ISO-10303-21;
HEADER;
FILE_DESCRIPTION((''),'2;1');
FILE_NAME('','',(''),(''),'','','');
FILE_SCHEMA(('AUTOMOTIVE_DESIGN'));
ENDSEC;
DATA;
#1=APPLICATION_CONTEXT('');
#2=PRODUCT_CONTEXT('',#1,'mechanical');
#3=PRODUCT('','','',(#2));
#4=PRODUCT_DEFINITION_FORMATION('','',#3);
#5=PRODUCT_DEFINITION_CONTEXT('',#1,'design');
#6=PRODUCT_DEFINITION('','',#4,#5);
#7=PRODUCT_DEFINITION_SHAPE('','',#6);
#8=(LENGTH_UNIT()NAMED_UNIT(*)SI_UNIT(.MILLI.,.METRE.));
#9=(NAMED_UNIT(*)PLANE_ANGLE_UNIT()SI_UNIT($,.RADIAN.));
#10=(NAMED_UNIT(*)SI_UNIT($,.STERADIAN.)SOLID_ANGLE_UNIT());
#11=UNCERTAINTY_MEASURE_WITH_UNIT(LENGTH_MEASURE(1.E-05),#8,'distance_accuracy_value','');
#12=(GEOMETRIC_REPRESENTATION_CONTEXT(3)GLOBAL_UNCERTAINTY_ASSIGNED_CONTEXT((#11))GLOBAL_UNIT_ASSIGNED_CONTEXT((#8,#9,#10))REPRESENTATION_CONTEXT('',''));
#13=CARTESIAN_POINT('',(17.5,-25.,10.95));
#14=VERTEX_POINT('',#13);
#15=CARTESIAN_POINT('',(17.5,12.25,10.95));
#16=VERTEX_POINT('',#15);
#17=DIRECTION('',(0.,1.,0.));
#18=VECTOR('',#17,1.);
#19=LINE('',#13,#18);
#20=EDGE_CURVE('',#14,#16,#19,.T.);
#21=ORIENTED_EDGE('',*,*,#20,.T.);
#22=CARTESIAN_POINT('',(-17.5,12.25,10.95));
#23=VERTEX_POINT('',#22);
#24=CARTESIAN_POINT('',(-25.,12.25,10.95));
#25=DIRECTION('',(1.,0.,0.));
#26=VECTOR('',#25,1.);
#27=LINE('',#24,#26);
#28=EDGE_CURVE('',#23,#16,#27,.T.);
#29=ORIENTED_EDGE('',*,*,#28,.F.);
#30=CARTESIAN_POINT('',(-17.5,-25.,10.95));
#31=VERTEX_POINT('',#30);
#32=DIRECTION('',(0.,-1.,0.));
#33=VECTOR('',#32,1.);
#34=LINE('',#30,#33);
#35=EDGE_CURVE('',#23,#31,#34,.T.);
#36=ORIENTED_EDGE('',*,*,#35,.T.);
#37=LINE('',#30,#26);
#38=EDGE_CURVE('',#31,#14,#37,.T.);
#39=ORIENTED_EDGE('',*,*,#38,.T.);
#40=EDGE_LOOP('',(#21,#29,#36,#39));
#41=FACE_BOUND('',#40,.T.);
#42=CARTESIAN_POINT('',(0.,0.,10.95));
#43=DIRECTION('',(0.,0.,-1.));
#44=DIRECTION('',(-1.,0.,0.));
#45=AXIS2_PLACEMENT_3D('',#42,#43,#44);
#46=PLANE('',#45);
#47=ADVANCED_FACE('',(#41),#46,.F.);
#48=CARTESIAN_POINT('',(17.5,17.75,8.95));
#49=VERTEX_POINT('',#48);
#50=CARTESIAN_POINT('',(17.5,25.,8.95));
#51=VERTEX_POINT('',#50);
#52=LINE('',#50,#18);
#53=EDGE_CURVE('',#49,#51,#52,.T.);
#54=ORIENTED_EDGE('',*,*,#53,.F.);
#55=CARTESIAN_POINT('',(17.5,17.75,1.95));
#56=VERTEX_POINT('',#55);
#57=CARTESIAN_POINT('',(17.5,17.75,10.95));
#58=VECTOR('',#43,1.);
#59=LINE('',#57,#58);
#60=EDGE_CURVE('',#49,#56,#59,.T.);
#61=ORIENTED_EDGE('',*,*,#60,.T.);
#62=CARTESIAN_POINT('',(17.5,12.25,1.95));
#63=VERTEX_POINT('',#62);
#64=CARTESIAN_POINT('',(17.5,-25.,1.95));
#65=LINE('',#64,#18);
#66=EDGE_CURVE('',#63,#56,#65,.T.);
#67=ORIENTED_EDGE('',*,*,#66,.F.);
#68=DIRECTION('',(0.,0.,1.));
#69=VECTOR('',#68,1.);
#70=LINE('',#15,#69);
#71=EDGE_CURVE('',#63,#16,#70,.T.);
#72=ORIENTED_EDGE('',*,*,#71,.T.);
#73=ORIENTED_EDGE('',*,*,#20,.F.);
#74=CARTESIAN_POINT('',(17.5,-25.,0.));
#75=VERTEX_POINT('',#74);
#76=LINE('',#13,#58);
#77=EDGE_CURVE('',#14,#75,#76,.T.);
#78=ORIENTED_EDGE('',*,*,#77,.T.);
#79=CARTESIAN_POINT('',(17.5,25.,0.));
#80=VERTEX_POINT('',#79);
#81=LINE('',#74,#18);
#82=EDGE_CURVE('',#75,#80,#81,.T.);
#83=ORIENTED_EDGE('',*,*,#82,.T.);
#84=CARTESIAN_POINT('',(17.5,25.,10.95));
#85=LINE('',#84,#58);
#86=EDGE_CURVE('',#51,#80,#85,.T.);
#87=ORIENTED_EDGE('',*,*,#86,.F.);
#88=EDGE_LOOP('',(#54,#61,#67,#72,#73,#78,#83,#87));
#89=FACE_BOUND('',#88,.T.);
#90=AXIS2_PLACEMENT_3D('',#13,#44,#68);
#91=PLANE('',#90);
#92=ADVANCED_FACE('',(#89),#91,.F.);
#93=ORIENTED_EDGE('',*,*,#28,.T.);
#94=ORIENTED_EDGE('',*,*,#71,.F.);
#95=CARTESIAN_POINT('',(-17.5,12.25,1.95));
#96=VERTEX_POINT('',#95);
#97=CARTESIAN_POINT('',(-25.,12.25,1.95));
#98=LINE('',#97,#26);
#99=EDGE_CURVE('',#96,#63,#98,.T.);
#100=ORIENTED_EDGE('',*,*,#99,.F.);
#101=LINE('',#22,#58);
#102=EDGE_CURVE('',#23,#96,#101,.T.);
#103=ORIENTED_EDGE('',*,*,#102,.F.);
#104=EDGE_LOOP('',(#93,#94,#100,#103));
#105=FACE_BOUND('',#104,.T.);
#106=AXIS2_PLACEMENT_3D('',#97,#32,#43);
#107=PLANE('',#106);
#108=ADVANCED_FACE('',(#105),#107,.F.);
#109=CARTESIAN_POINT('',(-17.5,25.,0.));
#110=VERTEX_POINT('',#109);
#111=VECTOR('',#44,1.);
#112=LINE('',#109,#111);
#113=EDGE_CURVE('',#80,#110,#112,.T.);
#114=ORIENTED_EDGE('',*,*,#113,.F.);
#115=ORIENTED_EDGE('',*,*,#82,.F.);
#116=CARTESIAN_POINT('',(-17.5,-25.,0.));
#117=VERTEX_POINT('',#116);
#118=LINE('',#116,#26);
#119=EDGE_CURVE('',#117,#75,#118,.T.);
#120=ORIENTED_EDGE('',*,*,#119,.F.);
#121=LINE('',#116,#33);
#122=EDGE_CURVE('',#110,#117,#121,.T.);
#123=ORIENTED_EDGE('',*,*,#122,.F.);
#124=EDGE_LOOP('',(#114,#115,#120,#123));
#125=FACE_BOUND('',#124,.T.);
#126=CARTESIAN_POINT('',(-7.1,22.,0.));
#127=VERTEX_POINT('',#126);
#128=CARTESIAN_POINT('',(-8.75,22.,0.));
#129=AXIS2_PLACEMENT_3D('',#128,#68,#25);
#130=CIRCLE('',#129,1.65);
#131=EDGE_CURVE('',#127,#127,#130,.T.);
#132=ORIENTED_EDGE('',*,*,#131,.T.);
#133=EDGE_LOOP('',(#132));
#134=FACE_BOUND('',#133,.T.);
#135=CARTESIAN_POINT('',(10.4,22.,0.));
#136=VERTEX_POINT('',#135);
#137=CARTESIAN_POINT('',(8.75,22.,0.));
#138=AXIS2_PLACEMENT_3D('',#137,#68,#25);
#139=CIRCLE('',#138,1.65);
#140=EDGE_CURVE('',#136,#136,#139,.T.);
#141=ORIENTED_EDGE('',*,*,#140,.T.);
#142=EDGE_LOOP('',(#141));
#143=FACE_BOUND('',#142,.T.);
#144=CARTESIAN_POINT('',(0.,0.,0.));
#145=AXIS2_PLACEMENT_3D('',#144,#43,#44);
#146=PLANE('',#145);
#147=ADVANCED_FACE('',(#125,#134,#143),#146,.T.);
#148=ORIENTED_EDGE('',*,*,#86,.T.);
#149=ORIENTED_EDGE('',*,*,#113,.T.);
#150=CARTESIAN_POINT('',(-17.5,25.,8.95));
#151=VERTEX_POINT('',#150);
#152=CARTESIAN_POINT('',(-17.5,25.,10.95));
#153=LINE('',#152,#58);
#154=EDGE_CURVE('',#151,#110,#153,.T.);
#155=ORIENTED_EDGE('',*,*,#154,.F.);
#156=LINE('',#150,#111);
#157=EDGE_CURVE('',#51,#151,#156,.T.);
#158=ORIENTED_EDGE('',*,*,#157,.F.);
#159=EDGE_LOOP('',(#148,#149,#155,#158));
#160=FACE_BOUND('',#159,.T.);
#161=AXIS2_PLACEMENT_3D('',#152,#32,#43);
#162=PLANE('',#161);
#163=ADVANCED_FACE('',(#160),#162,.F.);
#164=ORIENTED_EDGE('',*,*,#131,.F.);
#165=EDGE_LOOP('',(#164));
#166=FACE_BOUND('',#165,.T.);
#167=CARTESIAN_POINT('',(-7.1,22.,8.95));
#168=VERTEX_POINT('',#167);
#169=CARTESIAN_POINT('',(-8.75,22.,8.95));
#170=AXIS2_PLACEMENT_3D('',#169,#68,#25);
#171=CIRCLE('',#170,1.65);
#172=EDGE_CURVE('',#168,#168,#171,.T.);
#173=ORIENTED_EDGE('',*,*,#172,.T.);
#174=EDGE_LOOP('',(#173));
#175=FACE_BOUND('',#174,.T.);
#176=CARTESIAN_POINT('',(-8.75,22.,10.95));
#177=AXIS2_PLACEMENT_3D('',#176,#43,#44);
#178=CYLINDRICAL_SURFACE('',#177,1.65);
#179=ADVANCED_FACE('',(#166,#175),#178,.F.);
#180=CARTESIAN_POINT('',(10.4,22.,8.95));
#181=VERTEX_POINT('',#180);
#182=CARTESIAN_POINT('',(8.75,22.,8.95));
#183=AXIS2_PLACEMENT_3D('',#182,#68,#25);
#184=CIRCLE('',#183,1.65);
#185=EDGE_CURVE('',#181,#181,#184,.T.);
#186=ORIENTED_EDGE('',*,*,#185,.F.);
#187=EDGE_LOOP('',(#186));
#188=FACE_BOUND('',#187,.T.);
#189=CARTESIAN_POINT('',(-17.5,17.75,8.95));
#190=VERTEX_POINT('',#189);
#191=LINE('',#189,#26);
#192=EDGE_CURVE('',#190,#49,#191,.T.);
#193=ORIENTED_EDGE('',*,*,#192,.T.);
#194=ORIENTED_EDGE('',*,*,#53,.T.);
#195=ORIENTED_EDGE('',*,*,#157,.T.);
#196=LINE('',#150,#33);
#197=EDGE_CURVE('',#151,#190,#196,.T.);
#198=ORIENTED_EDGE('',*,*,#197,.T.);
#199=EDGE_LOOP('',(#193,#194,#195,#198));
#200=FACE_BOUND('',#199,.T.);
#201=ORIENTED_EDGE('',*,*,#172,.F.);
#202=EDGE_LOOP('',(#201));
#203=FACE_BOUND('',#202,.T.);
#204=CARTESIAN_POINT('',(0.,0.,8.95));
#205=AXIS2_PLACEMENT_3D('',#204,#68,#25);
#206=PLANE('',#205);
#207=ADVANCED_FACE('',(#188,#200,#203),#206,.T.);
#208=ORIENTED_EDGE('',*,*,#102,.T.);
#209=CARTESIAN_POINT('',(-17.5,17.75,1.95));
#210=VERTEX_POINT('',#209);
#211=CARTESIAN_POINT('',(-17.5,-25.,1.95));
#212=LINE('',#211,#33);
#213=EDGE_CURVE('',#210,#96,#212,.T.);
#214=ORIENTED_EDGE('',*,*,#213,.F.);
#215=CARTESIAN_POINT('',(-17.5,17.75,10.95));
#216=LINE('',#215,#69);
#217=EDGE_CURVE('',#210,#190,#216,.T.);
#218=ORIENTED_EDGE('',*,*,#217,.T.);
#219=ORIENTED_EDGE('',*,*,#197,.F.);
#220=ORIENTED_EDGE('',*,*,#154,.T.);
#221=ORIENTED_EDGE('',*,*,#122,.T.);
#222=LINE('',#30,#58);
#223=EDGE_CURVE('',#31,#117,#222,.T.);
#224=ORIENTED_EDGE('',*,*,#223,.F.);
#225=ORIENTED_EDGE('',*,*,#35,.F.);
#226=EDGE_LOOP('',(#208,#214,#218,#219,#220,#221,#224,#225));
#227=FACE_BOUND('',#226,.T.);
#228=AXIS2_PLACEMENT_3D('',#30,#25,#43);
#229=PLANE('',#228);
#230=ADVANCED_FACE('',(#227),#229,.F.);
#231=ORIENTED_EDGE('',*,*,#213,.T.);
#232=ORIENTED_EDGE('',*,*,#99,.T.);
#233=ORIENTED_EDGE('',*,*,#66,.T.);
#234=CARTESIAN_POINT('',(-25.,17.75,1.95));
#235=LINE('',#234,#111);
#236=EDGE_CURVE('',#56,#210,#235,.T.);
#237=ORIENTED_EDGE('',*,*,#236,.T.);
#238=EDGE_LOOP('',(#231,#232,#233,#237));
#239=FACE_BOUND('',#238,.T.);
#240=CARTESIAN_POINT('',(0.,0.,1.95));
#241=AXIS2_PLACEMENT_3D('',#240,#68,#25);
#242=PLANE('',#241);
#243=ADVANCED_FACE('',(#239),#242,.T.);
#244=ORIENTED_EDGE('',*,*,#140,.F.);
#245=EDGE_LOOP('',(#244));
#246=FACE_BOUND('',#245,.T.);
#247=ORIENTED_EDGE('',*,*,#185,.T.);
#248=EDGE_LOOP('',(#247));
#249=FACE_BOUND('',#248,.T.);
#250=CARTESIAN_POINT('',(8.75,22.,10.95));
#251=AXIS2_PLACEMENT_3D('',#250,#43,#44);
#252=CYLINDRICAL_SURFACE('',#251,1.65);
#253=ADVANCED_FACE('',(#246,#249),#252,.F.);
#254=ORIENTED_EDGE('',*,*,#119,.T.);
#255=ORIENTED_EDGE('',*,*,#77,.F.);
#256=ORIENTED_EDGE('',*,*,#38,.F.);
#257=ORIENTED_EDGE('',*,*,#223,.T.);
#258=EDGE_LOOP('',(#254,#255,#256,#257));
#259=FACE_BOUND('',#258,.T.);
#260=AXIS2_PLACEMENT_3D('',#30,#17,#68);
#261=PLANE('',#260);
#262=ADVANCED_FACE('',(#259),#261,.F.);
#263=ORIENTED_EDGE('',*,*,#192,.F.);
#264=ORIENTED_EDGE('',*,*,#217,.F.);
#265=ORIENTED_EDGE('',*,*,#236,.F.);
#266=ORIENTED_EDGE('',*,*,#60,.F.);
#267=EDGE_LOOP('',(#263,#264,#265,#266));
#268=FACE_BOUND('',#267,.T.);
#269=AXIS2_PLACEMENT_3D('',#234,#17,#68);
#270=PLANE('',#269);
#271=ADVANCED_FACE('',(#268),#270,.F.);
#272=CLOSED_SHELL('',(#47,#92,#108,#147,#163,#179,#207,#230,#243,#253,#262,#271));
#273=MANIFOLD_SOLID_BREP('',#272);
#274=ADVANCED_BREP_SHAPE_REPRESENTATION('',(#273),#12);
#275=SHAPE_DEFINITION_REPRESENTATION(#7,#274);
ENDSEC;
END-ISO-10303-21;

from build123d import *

# Parameters (mm, degrees)
SKIZZE1_W                       = 35
SKIZZE1_H                       = 50
SKIZZE1_R                       = 1.65
AUFSATZ_LINEAR_AUSTRAGEN1_DEPTH = 10.95
SKIZZE2_W                       = 50
SKIZZE2_H                       = 5.5
SCHNITT_LINEAR_AUSTRAGEN1_DEPTH = 9
SKIZZE3_W                       = 35
SKIZZE3_H                       = 7.25
SCHNITT_LINEAR_AUSTRAGEN2_DEPTH = 2


with BuildPart() as part:
    # Skizze1 → Aufsatz-Linear austragen1 (new body)
    with BuildSketch(Plane.XY):
        Rectangle(SKIZZE1_W, SKIZZE1_H)
        with Locations((-8.75, 22)):
            Circle(SKIZZE1_R, mode=Mode.SUBTRACT)
        with Locations((8.75, 22)):
            Circle(SKIZZE1_R, mode=Mode.SUBTRACT)
    extrude(amount=AUFSATZ_LINEAR_AUSTRAGEN1_DEPTH)

    # Skizze2 → Schnitt-Linear austragen1 (cut)
    with BuildSketch(Plane.XY.offset(10.95)):
        with Locations((0, 15)):
            Rectangle(SKIZZE2_W, SKIZZE2_H)
    extrude(amount=-SCHNITT_LINEAR_AUSTRAGEN1_DEPTH, mode=Mode.SUBTRACT)

    # Skizze3 → Schnitt-Linear austragen2 (cut)
    with BuildSketch(Plane.XY.offset(10.95)):
        with Locations((0, 21.375)):
            Rectangle(SKIZZE3_W, SKIZZE3_H)
    extrude(amount=-SCHNITT_LINEAR_AUSTRAGEN2_DEPTH, mode=Mode.SUBTRACT)


solid = part.part
